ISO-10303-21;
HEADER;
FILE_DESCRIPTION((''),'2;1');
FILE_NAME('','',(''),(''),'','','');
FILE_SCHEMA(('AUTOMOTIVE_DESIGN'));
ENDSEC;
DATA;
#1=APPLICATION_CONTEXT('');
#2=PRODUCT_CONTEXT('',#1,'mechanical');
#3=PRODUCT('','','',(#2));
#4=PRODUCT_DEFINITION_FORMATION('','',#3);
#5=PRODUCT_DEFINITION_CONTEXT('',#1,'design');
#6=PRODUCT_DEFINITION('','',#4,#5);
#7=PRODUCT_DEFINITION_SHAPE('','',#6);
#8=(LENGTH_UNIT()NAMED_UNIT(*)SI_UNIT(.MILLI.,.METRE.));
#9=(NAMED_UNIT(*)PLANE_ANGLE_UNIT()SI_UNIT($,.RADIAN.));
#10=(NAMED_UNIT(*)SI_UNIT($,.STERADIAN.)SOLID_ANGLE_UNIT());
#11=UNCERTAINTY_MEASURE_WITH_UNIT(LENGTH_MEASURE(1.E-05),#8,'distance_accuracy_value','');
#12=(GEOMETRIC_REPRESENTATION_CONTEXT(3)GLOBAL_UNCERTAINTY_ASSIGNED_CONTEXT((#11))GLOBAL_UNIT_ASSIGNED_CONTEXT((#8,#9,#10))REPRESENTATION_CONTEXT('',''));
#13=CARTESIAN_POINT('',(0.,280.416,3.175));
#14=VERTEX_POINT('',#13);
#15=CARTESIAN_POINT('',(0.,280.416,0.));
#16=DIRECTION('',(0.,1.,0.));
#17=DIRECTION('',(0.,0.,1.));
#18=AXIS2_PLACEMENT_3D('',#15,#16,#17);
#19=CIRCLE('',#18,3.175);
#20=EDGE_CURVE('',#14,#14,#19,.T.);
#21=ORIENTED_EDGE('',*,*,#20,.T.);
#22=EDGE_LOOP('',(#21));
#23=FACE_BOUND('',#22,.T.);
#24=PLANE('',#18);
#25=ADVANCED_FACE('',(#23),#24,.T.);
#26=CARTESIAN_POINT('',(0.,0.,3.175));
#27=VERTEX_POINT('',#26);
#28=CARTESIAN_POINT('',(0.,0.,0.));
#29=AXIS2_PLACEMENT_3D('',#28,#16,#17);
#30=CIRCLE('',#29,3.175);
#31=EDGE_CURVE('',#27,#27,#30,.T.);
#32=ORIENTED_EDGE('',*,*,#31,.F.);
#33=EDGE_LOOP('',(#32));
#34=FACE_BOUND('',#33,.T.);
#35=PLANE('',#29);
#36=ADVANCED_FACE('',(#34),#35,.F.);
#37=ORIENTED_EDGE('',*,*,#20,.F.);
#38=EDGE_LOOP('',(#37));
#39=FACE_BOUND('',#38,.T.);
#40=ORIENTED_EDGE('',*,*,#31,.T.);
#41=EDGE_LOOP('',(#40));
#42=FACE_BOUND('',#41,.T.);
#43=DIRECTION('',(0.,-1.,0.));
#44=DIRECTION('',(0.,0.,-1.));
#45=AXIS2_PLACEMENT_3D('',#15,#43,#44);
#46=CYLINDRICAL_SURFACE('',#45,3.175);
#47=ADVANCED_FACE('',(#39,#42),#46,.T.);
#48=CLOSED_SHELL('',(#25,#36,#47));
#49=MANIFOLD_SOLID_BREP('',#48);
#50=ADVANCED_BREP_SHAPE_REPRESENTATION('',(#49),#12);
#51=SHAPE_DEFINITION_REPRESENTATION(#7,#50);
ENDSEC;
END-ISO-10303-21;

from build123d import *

# Parameters (mm, degrees)
SKETCH1_R           = 3.175
BOSS_EXTRUDE1_DEPTH = 280.416


with BuildPart() as part:
    # Sketch1 → Boss-Extrude1 (new body)
    with BuildSketch(Plane(origin=(0, 0, 0), x_dir=(1, 0, 0), z_dir=(0, 1, 0))):
        with Locations(Location((0, 0, 0), (0, 0, 270))):
            Circle(SKETCH1_R)
    extrude(amount=BOSS_EXTRUDE1_DEPTH)


solid = part.part
